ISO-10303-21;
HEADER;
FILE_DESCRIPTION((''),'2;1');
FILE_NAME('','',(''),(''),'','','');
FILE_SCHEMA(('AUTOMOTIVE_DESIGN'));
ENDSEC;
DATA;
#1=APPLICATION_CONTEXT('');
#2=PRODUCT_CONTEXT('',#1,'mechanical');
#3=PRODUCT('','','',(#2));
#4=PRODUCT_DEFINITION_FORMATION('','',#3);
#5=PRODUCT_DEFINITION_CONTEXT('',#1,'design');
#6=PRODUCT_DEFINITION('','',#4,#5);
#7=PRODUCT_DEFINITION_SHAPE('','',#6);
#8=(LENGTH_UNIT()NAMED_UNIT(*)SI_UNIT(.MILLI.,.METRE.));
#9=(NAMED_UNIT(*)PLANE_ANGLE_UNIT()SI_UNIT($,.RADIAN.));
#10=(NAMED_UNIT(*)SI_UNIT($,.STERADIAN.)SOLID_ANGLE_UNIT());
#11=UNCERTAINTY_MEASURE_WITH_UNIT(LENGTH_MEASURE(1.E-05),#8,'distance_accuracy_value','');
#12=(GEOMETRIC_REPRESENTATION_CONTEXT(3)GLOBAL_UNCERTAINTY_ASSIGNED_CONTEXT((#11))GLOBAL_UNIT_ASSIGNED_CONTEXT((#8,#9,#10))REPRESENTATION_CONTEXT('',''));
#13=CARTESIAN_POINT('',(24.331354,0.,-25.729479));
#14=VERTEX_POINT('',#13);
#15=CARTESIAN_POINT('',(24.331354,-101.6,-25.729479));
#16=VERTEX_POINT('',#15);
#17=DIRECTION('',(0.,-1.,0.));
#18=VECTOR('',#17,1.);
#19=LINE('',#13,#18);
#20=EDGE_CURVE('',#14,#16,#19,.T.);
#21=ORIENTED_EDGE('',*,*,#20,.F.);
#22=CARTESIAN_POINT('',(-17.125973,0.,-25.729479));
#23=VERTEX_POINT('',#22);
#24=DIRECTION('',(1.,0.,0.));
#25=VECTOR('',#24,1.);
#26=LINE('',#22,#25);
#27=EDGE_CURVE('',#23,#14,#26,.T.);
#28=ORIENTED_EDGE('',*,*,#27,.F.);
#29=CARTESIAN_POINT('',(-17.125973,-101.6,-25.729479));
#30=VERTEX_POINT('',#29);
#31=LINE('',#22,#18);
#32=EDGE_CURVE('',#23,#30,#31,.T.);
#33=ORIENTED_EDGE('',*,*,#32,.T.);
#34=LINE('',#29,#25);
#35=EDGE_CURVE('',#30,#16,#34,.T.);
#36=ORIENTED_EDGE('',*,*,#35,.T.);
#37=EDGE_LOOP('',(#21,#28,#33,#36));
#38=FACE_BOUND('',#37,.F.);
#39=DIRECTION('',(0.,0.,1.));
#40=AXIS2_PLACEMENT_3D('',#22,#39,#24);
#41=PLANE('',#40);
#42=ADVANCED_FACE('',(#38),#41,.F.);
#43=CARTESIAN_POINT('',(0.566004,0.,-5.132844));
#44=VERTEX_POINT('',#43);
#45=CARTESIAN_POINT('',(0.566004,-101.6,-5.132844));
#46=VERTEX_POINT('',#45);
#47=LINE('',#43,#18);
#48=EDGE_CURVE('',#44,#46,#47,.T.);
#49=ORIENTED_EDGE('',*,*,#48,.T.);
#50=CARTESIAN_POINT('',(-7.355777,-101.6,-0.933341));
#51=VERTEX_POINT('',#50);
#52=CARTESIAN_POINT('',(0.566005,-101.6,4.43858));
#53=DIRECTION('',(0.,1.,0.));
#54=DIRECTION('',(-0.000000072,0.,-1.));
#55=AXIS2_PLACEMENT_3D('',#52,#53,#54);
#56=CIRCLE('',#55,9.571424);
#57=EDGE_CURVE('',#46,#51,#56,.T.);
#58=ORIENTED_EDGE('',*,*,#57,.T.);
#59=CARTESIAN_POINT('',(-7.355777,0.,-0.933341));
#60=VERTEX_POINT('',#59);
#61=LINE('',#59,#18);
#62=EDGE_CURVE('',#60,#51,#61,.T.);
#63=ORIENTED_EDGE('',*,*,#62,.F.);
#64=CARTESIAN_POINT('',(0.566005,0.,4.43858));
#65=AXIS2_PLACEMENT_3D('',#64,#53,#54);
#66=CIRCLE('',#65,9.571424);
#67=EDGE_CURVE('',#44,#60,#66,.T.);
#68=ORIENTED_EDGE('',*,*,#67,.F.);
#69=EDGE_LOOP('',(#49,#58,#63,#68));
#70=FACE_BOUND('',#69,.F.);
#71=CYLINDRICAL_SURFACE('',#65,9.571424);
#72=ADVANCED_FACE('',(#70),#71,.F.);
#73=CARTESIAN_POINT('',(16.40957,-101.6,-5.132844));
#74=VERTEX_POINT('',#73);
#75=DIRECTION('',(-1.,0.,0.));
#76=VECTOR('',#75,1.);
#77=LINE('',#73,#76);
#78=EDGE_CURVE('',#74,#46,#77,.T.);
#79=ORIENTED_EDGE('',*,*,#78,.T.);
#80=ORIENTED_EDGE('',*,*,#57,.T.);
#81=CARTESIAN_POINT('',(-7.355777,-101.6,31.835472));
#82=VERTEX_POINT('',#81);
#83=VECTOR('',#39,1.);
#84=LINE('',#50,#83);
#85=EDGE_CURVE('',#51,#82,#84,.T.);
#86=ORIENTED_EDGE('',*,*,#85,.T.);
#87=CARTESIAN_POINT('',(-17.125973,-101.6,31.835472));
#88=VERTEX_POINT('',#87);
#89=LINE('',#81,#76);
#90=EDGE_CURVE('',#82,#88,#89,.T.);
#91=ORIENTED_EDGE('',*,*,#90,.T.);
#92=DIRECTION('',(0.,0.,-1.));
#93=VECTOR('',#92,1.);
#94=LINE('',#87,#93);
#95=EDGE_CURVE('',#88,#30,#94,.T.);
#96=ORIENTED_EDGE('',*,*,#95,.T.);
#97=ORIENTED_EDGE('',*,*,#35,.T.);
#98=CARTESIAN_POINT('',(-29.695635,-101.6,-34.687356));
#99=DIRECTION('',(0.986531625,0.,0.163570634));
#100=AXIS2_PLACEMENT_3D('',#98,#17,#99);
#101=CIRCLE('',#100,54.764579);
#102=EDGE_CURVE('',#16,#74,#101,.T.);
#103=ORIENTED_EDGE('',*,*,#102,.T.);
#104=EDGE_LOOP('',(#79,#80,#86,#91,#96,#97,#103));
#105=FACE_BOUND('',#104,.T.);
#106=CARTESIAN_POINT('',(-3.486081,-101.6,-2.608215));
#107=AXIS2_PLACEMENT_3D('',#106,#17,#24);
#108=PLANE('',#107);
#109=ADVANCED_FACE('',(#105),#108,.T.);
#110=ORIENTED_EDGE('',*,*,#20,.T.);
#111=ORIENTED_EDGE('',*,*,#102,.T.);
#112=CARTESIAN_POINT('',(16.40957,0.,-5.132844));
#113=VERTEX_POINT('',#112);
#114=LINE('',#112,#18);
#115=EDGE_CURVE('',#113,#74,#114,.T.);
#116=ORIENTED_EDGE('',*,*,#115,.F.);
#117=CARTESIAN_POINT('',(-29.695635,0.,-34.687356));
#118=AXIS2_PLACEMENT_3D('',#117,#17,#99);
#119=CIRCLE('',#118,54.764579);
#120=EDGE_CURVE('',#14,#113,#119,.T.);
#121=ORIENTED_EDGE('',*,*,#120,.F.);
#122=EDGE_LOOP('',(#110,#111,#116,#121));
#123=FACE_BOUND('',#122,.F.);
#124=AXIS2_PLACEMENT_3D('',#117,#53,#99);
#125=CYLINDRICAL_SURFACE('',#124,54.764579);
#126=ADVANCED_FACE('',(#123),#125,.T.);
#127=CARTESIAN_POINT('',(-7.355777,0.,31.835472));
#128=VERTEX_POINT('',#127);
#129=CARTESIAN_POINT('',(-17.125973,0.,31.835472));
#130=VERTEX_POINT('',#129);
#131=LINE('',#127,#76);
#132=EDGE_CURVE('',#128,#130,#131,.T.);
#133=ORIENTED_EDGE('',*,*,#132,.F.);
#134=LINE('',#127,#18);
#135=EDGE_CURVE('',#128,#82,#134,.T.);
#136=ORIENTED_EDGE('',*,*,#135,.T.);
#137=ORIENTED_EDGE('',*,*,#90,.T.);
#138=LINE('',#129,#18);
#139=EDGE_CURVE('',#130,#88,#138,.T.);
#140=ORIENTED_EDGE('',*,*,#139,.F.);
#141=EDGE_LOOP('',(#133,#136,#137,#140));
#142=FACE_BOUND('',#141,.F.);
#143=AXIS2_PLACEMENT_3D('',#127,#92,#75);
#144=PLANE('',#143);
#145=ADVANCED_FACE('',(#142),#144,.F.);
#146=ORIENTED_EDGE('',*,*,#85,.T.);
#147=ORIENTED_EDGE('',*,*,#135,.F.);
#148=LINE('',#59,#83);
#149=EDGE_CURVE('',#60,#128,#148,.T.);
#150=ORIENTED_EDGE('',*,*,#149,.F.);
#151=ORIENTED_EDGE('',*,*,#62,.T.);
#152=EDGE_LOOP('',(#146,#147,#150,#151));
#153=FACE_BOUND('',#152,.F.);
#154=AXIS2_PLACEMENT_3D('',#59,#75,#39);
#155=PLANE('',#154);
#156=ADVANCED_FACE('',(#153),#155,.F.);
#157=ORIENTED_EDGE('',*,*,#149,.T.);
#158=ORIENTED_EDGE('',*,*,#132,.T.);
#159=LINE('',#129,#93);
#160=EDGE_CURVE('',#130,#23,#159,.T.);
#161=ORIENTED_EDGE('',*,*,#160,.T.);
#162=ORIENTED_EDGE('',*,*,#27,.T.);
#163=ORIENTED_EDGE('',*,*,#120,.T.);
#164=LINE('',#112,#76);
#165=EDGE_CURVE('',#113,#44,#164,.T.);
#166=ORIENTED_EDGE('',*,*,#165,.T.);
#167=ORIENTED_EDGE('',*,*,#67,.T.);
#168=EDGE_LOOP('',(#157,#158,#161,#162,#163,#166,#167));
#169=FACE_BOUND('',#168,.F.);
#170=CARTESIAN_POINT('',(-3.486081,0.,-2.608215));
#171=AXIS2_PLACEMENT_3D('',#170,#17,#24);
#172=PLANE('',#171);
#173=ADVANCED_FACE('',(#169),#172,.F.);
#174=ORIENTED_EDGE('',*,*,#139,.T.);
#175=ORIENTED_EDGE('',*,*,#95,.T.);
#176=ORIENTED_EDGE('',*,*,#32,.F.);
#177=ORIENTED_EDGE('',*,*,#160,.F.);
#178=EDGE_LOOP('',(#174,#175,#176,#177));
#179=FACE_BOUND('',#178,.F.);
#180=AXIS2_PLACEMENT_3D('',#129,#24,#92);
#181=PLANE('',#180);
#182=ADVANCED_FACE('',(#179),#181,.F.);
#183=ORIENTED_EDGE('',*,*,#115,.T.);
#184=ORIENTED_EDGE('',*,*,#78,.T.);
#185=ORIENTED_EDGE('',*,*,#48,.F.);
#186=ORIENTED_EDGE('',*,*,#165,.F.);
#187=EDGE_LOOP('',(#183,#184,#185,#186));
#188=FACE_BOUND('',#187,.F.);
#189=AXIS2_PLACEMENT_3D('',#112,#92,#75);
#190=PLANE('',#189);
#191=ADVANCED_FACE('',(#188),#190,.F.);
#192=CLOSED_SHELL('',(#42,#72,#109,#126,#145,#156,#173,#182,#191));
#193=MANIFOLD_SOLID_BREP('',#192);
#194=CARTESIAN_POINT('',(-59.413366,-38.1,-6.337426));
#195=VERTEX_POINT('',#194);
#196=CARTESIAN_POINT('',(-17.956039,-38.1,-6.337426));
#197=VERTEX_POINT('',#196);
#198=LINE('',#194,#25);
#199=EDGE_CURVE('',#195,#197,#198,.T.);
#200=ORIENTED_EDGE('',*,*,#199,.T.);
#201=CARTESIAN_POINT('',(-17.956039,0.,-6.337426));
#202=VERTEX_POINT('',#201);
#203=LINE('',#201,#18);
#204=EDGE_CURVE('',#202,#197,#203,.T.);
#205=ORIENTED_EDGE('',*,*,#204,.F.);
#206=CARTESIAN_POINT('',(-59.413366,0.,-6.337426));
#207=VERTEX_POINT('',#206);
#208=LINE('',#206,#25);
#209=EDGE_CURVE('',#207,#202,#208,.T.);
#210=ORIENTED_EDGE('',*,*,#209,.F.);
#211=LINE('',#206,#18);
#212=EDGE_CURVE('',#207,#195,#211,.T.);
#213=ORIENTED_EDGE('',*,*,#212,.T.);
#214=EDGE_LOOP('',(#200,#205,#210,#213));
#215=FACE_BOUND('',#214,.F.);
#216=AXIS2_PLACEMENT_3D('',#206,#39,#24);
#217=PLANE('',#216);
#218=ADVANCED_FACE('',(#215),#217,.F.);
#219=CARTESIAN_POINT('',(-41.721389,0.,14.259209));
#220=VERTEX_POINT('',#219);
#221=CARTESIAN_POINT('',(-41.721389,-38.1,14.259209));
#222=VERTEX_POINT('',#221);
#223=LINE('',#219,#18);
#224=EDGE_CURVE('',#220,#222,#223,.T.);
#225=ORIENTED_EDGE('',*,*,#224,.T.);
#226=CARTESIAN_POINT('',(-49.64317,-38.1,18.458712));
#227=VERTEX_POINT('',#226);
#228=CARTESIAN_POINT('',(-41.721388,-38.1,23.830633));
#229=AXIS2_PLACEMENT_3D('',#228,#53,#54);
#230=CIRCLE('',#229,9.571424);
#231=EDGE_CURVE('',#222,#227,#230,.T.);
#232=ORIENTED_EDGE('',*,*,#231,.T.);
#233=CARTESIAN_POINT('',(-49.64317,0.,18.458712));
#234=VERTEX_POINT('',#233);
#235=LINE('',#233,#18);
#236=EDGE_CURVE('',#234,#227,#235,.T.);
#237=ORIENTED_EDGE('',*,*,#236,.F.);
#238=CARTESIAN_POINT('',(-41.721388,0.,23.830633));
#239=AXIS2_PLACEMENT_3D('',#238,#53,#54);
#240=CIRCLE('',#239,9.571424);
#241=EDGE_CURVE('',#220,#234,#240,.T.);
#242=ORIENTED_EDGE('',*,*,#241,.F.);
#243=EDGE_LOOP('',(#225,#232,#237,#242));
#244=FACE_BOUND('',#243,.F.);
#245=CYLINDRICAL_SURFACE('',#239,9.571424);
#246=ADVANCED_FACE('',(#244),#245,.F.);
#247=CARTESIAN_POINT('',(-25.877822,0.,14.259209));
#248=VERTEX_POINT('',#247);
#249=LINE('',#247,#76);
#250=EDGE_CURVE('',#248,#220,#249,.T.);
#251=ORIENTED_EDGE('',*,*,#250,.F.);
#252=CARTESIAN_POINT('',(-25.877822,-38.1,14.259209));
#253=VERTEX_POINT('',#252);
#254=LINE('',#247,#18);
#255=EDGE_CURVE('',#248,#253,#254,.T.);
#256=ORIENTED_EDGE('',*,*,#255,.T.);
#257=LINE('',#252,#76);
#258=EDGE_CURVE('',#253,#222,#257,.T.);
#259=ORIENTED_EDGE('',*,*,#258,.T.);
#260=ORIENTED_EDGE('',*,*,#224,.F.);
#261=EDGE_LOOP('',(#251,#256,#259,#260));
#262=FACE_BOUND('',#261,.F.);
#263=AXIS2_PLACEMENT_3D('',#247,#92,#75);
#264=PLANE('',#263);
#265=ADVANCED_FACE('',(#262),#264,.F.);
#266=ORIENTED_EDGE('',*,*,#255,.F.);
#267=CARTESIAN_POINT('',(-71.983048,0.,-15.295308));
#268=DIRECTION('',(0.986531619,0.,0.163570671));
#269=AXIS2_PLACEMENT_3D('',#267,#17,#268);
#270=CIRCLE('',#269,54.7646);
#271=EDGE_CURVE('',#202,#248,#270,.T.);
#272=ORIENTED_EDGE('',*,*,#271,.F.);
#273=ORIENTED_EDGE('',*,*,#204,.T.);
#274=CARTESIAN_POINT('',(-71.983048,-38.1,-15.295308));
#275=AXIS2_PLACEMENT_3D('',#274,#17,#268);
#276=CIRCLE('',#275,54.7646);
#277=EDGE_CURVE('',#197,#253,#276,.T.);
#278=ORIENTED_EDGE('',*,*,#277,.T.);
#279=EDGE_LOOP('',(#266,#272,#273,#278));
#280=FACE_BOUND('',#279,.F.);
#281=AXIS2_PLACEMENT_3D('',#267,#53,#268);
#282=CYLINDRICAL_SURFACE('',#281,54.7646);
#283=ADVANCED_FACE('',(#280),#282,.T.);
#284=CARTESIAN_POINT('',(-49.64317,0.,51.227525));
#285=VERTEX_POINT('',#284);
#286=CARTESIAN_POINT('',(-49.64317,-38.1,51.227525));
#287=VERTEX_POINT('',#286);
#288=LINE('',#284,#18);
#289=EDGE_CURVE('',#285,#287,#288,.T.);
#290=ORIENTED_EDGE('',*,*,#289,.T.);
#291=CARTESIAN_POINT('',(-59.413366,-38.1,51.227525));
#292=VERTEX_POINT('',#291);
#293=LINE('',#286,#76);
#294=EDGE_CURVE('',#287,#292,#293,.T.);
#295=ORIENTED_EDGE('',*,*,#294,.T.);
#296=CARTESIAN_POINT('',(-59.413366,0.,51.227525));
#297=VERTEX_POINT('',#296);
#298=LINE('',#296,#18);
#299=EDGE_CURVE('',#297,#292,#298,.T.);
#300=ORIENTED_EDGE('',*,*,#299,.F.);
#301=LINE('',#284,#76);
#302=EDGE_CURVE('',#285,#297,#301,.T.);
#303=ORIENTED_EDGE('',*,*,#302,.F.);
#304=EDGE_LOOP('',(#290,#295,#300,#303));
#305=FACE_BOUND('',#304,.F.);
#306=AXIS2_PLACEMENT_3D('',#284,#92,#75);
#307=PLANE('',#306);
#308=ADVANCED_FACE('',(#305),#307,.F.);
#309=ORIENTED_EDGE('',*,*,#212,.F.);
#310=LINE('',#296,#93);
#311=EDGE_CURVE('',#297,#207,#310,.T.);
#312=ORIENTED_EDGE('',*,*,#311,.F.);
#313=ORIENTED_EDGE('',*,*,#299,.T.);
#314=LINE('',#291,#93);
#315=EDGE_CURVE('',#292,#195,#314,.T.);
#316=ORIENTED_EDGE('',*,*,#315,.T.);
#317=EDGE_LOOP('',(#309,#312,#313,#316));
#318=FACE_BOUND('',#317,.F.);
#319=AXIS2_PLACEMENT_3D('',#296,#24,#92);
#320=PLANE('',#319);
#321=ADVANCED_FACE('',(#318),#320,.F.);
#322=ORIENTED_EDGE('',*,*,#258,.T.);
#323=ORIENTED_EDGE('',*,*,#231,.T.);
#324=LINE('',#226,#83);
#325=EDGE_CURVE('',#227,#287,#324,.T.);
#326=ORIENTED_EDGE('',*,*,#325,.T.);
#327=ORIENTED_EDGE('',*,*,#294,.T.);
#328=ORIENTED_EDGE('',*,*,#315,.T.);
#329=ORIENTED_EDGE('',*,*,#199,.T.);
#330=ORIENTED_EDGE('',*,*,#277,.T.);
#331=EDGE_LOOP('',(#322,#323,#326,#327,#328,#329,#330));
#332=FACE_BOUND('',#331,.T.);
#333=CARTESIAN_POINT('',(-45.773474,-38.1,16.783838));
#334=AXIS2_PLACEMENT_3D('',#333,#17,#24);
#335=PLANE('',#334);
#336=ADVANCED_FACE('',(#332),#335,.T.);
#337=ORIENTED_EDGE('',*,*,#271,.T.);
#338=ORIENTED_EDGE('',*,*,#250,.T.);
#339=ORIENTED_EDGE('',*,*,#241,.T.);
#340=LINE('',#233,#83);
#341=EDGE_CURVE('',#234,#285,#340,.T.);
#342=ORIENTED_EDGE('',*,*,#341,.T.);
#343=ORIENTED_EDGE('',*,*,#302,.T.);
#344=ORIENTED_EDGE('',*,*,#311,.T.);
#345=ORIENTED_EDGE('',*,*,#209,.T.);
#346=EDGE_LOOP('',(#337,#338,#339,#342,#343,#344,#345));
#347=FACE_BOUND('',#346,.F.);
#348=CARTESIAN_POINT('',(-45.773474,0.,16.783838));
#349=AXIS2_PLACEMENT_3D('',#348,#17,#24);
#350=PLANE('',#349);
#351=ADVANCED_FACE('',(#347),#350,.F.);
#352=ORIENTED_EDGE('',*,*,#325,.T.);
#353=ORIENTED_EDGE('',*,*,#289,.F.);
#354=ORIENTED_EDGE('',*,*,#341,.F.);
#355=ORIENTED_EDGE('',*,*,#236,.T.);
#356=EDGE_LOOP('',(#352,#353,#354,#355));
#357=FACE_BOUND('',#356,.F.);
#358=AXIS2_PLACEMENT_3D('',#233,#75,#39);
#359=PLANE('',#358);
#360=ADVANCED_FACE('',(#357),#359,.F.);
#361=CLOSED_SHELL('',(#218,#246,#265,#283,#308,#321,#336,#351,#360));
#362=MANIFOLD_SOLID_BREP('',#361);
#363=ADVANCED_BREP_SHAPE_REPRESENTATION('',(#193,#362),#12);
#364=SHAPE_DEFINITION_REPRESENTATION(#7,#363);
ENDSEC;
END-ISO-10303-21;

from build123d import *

# Parameters (mm, degrees)
F1_DEPTH = 38.1
F3_DEPTH = 101.6


with BuildPart() as f1:
    # F0 (on Front) → F1 (new body)
    with BuildSketch(Plane.XZ):
        with BuildLine():
            ThreePointArc((-49.64317, 37.760496), (-52.291704, 44.494011), (-49.64317, 51.227525))
            Line((-49.64317, 51.227525), (-59.413366, 51.227525))
            Line((-59.413366, 51.227525), (-59.413366, -6.337426))
            Line((-59.413366, -6.337426), (-25.877822, -6.337426))
            Line((-25.877822, -6.337426), (-17.956039, -6.337426))
            ThreePointArc((-17.956039, -6.337426), (-20.86875, 4.364038), (-25.877822, 14.259209))
            Line((-25.877822, 14.259209), (-41.721389, 14.259209))
            ThreePointArc((-41.721389, 14.259209), (-46.204425, 15.374006), (-49.64317, 18.458712))
            Line((-49.64317, 18.458712), (-49.64317, 37.760496))
        make_face()
        with BuildLine():
            Line((-49.64317, 37.760496), (-49.64317, 51.227525))
            ThreePointArc((-49.64317, 51.227525), (-52.291704, 44.494011), (-49.64317, 37.760496))
        make_face()
    extrude(amount=F1_DEPTH)


with BuildPart() as f3:
    # F2 (on Front) → F3 (new body)
    with BuildSketch(Plane.XZ):
        with BuildLine():
            ThreePointArc((-7.355777, 18.368443), (-10.004311, 25.101957), (-7.355777, 31.835472))
            Line((-7.355777, 31.835472), (-17.125973, 31.835472))
            Line((-17.125973, 31.835472), (-17.125973, -25.729479))
            Line((-17.125973, -25.729479), (16.40957, -25.729479))
            Line((16.40957, -25.729479), (24.331354, -25.729479))
            ThreePointArc((24.331354, -25.729479), (21.418643, -15.028015), (16.40957, -5.132844))
            Line((16.40957, -5.132844), (0.566004, -5.132844))
            ThreePointArc((0.566004, -5.132844), (-3.917032, -4.018047), (-7.355777, -0.933341))
            Line((-7.355777, -0.933341), (-7.355777, 18.368443))
        make_face()
        with BuildLine():
            Line((-7.355777, 18.368443), (-7.355777, 31.835472))
            ThreePointArc((-7.355777, 31.835472), (-10.004311, 25.101957), (-7.355777, 18.368443))
        make_face()
    extrude(amount=F3_DEPTH)


solid = Compound([f1.part, f3.part])
